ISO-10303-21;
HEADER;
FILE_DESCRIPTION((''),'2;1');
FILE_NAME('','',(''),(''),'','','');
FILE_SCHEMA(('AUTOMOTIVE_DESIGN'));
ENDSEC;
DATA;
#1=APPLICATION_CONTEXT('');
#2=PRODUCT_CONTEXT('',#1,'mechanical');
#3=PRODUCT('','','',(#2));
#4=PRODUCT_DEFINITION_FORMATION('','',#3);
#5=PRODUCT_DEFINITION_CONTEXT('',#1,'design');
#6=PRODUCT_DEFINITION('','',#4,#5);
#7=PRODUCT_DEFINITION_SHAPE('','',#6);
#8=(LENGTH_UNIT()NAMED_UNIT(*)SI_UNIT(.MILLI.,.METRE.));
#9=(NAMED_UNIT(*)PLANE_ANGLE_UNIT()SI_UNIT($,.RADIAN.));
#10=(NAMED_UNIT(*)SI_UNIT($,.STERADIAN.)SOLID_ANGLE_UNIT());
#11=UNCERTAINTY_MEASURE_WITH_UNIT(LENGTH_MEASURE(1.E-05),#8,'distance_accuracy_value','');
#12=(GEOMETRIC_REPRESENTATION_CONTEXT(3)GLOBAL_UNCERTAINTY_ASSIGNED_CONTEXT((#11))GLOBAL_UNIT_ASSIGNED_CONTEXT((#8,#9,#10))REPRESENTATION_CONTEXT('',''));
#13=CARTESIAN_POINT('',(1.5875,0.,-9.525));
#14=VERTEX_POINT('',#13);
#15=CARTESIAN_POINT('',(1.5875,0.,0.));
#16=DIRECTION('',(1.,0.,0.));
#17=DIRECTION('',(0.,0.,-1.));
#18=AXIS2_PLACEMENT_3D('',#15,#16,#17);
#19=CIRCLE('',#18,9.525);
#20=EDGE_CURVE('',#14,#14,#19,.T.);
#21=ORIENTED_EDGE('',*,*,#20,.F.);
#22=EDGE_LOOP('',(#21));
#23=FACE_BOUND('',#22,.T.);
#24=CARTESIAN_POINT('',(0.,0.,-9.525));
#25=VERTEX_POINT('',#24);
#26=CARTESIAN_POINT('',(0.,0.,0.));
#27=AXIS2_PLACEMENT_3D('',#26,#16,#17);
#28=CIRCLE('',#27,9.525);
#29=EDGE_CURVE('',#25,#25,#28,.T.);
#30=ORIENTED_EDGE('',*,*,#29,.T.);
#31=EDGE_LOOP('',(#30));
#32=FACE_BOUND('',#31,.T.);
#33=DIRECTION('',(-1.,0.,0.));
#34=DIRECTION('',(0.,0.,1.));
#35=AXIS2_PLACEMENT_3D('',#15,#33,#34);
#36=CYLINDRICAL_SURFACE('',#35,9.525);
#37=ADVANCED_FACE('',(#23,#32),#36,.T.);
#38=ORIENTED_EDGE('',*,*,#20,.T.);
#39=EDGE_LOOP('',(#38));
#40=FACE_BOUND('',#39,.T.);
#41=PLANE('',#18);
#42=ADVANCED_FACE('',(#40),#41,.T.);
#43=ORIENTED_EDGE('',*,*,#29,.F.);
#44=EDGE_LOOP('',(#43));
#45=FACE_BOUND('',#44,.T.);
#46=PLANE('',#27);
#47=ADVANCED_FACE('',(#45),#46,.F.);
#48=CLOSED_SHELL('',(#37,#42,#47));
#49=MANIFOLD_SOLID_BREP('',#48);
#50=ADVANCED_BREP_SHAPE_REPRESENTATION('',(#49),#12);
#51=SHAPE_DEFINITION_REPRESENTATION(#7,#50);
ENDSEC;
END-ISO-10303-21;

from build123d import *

# Parameters (mm, degrees)
SKETCH1_R      = 9.525
EXTRUDE1_DEPTH = 1.5875


with BuildPart() as part:
    # Sketch1 → Extrude1 (new body)
    with BuildSketch(Plane(origin=(0, 0, 0), x_dir=(0, 0, -1), z_dir=(1, 0, 0))):
        Circle(SKETCH1_R)
    extrude(amount=EXTRUDE1_DEPTH)


solid = part.part
